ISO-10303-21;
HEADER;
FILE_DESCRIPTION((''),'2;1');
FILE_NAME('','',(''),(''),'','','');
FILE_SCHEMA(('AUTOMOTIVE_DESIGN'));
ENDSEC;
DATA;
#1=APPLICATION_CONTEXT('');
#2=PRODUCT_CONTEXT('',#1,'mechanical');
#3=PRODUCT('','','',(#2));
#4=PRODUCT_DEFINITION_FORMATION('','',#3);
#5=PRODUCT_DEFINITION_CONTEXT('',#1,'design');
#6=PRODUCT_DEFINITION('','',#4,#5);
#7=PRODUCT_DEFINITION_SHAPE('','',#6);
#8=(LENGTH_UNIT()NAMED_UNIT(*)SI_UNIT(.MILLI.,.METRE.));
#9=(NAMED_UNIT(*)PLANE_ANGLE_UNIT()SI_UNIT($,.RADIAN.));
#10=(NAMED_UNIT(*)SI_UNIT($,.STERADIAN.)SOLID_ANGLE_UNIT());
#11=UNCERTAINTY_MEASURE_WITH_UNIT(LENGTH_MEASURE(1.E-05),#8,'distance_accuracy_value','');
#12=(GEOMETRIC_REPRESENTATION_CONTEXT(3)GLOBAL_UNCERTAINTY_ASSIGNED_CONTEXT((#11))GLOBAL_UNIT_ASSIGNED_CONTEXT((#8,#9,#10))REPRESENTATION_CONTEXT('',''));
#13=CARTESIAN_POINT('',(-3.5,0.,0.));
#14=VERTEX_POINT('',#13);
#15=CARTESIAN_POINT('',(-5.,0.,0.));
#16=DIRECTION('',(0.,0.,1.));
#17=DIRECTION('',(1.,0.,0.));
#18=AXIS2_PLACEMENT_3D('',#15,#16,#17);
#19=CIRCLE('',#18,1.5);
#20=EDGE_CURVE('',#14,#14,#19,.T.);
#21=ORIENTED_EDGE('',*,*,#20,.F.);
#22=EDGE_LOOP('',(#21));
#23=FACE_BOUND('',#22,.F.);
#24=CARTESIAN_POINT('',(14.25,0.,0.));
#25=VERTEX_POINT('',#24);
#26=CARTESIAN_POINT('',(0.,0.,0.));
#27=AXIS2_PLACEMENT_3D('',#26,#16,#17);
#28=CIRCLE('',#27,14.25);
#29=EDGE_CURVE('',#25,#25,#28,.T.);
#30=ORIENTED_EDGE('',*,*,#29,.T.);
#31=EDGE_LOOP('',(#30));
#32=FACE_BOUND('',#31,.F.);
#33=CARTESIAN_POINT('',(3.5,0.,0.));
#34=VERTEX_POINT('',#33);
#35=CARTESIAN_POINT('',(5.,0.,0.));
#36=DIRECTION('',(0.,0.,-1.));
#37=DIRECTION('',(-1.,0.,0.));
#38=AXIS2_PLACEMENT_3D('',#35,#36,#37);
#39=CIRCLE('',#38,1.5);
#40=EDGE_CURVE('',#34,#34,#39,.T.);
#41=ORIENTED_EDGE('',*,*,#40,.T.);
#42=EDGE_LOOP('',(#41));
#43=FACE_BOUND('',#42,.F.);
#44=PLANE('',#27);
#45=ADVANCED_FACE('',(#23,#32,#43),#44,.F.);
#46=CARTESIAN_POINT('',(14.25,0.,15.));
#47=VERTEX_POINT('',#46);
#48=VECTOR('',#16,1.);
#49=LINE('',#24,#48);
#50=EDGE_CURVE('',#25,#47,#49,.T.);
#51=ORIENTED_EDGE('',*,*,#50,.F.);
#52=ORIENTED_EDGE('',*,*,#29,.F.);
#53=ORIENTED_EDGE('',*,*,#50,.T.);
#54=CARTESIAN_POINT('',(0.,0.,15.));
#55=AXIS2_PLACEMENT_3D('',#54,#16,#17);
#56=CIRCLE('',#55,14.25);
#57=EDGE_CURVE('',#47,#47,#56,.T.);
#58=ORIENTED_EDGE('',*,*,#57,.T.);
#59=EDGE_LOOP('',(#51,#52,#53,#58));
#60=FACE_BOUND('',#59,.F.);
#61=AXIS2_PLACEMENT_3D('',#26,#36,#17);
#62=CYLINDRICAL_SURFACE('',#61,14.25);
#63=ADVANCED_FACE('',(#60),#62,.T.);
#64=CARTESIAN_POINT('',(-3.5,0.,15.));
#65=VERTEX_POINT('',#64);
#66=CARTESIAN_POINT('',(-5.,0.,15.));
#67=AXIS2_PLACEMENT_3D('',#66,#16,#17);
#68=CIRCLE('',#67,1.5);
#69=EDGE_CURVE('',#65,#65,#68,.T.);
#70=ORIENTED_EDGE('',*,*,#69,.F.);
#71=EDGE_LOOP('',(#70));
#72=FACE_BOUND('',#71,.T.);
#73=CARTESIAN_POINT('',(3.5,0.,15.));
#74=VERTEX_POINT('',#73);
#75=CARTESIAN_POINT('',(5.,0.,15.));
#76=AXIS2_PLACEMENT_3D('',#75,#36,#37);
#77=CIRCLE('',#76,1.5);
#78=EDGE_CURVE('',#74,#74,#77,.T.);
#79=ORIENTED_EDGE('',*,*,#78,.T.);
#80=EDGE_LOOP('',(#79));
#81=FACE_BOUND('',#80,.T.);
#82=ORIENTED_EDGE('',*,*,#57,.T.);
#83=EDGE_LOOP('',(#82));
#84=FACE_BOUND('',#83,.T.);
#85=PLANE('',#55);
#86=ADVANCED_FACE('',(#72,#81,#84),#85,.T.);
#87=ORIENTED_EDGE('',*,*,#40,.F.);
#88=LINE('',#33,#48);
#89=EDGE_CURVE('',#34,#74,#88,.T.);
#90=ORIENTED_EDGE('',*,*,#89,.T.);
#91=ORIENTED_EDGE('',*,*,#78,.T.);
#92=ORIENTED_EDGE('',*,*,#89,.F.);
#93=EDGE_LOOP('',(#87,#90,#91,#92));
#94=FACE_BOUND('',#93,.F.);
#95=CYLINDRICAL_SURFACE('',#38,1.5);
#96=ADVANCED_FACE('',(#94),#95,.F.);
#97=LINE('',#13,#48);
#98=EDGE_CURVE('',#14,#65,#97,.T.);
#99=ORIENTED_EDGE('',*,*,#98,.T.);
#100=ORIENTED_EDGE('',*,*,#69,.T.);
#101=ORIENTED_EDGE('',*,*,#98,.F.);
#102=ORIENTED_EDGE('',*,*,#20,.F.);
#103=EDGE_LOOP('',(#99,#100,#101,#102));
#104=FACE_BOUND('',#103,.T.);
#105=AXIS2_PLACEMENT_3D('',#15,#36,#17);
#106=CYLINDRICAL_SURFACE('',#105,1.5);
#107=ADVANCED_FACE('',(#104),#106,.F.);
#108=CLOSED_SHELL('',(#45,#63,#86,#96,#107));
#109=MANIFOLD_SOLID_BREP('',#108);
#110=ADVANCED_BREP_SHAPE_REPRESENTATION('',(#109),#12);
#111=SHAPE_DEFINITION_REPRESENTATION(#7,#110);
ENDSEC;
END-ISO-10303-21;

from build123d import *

# Parameters (mm, degrees)
F0_R     = 14.25
F0_R_2   = 1.5
F1_DEPTH = 15


with BuildPart() as f1:
    # F0 (on Top) → F1 (new body)
    with BuildSketch(Plane.XY):
        Circle(F0_R)
        with Locations((-5, 0)):
            Circle(F0_R_2, mode=Mode.SUBTRACT)
        with BuildLine():
            ThreePointArc((6.5, 0), (5, -1.5), (3.5, 0))
            ThreePointArc((3.5, 0), (5, 1.5), (6.5, 0))
        make_face(mode=Mode.SUBTRACT)
    extrude(amount=F1_DEPTH)


solid = f1.part
